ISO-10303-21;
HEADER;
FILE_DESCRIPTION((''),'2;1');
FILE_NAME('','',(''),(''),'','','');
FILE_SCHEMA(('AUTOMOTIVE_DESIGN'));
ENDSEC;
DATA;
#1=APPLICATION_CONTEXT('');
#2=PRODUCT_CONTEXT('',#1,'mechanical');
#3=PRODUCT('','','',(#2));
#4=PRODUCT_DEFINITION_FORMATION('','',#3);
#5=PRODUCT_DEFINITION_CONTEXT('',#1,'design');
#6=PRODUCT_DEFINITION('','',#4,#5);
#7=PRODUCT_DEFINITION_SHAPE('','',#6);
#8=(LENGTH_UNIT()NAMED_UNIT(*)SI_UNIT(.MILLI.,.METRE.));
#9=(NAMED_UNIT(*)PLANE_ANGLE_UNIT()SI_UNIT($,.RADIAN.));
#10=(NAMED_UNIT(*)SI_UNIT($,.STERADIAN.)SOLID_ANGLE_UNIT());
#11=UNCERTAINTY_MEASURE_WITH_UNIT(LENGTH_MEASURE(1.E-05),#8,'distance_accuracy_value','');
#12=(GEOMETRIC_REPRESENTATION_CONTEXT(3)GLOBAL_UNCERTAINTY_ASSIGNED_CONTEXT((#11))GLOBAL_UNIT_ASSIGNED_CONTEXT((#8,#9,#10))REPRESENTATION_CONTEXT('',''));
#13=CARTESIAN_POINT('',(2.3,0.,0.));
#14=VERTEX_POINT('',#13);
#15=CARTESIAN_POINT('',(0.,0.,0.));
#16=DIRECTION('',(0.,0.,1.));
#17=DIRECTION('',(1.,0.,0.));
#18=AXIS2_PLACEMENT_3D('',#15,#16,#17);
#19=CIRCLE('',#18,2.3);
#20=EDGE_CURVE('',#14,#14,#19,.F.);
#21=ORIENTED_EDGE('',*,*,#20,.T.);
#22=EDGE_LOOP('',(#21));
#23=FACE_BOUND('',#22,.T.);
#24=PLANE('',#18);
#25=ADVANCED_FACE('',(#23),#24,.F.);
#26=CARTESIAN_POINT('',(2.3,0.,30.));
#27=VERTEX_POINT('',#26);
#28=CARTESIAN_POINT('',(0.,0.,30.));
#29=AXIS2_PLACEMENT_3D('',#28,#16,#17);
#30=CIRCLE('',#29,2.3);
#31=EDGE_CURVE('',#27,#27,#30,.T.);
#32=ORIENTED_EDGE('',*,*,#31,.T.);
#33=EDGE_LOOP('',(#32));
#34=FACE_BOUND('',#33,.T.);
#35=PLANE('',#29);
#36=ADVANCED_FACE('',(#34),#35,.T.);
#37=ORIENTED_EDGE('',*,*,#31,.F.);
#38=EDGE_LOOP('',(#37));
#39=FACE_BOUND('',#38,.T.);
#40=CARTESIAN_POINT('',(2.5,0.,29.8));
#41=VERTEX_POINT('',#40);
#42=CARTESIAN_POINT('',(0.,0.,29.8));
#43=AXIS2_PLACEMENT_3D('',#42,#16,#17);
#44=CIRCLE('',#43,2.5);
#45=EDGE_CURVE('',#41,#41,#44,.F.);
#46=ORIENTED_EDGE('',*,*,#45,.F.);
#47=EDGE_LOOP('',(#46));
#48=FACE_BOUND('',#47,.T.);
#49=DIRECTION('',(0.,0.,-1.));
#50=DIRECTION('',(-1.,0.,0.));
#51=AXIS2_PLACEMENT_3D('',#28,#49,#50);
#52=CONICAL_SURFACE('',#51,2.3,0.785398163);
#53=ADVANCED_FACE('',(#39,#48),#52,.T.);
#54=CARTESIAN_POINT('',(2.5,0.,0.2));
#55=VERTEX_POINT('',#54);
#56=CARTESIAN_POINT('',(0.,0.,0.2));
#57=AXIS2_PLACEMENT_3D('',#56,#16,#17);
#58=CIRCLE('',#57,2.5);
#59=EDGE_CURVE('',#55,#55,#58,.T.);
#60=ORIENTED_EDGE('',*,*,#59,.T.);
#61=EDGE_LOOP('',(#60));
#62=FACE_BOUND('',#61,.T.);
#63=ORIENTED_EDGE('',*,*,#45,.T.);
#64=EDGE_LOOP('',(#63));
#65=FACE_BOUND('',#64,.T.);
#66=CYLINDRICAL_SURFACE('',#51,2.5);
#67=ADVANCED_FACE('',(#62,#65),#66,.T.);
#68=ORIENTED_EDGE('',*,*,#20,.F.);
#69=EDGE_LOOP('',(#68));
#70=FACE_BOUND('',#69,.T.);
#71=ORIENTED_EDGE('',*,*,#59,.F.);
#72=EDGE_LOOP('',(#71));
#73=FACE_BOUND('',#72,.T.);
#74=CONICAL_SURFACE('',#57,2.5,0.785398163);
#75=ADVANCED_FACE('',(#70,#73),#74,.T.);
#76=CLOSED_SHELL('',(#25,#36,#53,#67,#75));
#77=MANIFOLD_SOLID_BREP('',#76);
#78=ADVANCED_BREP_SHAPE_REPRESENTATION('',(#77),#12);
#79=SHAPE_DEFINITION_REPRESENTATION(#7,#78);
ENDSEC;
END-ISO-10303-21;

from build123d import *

# Parameters (mm, degrees)
SKETCH1_R           = 2.5
BOSS_EXTRUDE1_DEPTH = 30
CHAMFER1_SIZE       = 0.2


with BuildPart() as part:
    # Sketch1 → Boss-Extrude1 (new body)
    with BuildSketch(Plane.XY):
        Circle(SKETCH1_R)
    extrude(amount=BOSS_EXTRUDE1_DEPTH)

    # Chamfer1
    chamfer1_edges = [part.edges().sort_by_distance(p)[0] for p in [
        (-2.5, 0, 0),
        (-2.5, 0, 30),
    ]]
    chamfer(chamfer1_edges, length=CHAMFER1_SIZE)


solid = part.part
